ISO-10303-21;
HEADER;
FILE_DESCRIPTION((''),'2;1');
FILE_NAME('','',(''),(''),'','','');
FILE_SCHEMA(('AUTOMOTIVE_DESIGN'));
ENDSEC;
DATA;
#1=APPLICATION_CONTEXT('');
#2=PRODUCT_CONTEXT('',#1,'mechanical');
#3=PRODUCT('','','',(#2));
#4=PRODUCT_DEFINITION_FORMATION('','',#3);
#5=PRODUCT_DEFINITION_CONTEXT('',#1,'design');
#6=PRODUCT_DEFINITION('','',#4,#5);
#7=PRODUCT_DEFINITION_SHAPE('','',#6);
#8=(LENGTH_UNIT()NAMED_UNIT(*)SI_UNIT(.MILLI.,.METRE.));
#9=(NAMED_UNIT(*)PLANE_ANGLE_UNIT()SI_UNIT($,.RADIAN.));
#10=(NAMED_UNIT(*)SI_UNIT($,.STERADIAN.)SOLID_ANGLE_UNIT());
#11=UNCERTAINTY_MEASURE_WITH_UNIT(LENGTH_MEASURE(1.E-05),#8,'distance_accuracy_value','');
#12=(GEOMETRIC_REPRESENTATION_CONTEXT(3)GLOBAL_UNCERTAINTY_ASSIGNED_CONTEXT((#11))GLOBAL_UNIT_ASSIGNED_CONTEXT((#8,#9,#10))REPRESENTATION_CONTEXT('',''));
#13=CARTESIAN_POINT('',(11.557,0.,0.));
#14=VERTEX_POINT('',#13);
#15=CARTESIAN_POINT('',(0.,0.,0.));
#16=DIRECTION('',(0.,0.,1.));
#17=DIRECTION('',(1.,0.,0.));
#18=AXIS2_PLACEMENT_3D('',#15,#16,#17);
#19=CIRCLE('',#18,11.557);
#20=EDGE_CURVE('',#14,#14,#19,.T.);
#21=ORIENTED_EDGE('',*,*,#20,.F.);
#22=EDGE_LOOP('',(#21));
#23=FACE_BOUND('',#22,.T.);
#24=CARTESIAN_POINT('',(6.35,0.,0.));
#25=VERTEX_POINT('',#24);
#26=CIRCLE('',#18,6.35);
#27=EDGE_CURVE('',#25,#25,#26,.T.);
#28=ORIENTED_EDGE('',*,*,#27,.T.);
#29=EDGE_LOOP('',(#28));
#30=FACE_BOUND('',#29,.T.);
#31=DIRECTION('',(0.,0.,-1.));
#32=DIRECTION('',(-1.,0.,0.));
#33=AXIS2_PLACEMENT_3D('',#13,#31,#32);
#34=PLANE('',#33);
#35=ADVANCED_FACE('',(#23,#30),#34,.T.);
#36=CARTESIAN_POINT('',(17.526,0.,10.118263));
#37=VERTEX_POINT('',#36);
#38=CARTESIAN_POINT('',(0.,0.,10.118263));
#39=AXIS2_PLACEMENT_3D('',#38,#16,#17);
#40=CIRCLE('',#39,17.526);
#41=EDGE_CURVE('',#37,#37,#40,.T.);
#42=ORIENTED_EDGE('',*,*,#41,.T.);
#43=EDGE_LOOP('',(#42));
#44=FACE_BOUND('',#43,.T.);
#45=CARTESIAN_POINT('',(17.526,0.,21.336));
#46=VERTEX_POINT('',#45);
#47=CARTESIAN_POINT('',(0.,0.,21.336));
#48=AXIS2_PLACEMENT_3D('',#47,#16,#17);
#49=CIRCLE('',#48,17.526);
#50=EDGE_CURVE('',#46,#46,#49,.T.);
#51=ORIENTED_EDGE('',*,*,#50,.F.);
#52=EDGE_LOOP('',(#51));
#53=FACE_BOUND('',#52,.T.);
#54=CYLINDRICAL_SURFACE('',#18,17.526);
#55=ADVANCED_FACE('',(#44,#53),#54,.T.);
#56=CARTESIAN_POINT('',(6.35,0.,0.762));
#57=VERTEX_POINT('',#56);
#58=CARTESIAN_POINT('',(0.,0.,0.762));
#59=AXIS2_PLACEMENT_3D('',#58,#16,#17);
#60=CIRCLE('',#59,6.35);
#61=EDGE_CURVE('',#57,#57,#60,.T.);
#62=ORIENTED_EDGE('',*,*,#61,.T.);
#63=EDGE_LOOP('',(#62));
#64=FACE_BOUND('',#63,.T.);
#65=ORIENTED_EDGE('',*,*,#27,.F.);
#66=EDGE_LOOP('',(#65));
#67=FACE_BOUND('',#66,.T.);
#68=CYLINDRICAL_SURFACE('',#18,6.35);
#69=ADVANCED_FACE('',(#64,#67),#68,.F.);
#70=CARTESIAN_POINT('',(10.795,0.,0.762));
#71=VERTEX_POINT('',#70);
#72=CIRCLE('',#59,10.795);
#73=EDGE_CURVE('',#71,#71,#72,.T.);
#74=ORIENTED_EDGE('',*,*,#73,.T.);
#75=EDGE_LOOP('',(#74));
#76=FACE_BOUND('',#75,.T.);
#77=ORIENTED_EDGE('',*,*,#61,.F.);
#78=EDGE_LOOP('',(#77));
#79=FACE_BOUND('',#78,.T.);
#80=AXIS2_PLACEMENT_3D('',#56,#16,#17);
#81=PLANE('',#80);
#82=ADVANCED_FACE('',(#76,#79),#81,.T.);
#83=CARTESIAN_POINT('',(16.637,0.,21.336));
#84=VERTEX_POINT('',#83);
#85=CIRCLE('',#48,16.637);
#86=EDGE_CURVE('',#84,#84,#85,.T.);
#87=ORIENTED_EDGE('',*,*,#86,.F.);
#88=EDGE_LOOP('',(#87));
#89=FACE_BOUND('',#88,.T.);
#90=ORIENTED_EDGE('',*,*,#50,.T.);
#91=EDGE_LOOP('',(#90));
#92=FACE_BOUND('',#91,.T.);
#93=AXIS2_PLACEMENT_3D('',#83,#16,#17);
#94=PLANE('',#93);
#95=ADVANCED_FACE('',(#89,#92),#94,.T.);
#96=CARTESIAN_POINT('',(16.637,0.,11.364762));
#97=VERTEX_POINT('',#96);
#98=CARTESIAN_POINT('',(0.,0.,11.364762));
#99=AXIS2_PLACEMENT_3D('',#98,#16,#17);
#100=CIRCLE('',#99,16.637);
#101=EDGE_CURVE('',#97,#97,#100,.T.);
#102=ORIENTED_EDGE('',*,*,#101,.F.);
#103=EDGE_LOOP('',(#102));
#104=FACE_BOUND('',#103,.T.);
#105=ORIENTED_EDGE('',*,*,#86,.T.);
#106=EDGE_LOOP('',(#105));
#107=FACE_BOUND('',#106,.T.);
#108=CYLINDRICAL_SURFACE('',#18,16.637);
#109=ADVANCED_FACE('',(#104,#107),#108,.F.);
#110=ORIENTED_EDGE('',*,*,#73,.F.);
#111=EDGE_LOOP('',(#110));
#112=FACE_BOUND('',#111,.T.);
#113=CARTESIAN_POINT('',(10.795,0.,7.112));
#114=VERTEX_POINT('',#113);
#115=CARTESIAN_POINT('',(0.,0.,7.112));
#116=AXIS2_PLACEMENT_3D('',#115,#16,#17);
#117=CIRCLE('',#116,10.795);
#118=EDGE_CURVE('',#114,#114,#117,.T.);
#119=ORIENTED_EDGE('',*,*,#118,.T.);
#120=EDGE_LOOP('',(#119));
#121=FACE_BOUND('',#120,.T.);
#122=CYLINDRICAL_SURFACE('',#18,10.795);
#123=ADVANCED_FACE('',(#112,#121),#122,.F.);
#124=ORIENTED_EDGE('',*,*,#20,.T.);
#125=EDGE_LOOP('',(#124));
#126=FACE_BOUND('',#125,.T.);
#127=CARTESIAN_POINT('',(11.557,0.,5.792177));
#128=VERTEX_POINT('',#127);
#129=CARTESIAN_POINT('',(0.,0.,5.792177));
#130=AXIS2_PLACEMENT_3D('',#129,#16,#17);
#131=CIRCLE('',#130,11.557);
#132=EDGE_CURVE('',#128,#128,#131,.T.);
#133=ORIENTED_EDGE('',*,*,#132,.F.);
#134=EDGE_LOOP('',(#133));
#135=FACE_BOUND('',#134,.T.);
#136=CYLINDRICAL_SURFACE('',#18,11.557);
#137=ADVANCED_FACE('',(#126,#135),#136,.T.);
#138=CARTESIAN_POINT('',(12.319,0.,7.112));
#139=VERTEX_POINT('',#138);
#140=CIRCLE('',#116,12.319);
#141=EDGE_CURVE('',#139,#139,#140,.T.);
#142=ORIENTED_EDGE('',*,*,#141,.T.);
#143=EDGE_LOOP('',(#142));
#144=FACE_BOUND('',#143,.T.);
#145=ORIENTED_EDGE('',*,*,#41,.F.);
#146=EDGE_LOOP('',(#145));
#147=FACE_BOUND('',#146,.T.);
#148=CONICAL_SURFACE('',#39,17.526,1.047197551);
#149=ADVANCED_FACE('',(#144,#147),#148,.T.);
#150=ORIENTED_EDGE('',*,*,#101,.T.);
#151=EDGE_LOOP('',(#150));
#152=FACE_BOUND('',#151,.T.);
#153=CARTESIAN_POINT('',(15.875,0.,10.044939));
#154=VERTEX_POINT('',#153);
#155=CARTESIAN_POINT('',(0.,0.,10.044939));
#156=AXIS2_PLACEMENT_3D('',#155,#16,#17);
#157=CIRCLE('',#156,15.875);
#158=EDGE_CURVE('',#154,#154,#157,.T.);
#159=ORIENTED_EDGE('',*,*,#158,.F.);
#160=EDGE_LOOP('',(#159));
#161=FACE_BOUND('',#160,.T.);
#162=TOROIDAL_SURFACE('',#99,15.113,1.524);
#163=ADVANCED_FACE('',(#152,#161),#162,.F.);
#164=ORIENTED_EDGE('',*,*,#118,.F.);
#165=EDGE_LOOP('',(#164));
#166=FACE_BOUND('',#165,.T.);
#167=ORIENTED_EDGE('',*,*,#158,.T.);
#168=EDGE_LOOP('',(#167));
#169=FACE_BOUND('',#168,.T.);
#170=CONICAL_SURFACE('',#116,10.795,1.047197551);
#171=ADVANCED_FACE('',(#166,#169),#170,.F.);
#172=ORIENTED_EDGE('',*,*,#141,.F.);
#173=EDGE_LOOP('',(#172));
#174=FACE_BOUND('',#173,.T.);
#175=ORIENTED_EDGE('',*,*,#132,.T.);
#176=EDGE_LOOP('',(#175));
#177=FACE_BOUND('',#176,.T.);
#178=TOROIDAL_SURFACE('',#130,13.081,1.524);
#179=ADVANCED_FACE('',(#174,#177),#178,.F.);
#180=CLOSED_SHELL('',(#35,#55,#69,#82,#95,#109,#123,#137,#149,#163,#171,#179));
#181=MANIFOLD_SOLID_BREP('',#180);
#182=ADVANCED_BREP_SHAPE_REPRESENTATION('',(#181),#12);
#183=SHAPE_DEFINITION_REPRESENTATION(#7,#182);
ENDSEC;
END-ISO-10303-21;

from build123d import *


with BuildPart() as part:
    # Sketch1 → Revolve1 (revolve)
    with BuildSketch(Plane(origin=(0, 0, 0), x_dir=(1, 0, 0), z_dir=(0, 1, 0))):
        with BuildLine():
            Line((6.35, -0.762), (10.795, -0.762))
            Line((10.795, -0.762), (10.795, -7.112))
            Line((10.795, -7.112), (15.875, -10.044939367))
            ThreePointArc((15.875, -10.044939367), (16.432822715, -10.602762083), (16.637, -11.364762083))
            Line((16.637, -11.364762083), (16.637, -21.336))
            Line((16.637, -21.336), (17.526, -21.336))
            Line((17.526, -21.336), (17.526, -10.118262852))
            Line((17.526, -10.118262852), (12.319, -7.112))
            ThreePointArc((12.319, -7.112), (11.761177285, -6.554177285), (11.557, -5.792177285))
            Line((11.557, -5.792177285), (11.557, 0))
            Line((11.557, 0), (6.35, 0))
            Line((6.35, 0), (6.35, -0.762))
        make_face()
    revolve(axis=Axis((0, 0, 0), (0, 0, 1)))


solid = part.part
